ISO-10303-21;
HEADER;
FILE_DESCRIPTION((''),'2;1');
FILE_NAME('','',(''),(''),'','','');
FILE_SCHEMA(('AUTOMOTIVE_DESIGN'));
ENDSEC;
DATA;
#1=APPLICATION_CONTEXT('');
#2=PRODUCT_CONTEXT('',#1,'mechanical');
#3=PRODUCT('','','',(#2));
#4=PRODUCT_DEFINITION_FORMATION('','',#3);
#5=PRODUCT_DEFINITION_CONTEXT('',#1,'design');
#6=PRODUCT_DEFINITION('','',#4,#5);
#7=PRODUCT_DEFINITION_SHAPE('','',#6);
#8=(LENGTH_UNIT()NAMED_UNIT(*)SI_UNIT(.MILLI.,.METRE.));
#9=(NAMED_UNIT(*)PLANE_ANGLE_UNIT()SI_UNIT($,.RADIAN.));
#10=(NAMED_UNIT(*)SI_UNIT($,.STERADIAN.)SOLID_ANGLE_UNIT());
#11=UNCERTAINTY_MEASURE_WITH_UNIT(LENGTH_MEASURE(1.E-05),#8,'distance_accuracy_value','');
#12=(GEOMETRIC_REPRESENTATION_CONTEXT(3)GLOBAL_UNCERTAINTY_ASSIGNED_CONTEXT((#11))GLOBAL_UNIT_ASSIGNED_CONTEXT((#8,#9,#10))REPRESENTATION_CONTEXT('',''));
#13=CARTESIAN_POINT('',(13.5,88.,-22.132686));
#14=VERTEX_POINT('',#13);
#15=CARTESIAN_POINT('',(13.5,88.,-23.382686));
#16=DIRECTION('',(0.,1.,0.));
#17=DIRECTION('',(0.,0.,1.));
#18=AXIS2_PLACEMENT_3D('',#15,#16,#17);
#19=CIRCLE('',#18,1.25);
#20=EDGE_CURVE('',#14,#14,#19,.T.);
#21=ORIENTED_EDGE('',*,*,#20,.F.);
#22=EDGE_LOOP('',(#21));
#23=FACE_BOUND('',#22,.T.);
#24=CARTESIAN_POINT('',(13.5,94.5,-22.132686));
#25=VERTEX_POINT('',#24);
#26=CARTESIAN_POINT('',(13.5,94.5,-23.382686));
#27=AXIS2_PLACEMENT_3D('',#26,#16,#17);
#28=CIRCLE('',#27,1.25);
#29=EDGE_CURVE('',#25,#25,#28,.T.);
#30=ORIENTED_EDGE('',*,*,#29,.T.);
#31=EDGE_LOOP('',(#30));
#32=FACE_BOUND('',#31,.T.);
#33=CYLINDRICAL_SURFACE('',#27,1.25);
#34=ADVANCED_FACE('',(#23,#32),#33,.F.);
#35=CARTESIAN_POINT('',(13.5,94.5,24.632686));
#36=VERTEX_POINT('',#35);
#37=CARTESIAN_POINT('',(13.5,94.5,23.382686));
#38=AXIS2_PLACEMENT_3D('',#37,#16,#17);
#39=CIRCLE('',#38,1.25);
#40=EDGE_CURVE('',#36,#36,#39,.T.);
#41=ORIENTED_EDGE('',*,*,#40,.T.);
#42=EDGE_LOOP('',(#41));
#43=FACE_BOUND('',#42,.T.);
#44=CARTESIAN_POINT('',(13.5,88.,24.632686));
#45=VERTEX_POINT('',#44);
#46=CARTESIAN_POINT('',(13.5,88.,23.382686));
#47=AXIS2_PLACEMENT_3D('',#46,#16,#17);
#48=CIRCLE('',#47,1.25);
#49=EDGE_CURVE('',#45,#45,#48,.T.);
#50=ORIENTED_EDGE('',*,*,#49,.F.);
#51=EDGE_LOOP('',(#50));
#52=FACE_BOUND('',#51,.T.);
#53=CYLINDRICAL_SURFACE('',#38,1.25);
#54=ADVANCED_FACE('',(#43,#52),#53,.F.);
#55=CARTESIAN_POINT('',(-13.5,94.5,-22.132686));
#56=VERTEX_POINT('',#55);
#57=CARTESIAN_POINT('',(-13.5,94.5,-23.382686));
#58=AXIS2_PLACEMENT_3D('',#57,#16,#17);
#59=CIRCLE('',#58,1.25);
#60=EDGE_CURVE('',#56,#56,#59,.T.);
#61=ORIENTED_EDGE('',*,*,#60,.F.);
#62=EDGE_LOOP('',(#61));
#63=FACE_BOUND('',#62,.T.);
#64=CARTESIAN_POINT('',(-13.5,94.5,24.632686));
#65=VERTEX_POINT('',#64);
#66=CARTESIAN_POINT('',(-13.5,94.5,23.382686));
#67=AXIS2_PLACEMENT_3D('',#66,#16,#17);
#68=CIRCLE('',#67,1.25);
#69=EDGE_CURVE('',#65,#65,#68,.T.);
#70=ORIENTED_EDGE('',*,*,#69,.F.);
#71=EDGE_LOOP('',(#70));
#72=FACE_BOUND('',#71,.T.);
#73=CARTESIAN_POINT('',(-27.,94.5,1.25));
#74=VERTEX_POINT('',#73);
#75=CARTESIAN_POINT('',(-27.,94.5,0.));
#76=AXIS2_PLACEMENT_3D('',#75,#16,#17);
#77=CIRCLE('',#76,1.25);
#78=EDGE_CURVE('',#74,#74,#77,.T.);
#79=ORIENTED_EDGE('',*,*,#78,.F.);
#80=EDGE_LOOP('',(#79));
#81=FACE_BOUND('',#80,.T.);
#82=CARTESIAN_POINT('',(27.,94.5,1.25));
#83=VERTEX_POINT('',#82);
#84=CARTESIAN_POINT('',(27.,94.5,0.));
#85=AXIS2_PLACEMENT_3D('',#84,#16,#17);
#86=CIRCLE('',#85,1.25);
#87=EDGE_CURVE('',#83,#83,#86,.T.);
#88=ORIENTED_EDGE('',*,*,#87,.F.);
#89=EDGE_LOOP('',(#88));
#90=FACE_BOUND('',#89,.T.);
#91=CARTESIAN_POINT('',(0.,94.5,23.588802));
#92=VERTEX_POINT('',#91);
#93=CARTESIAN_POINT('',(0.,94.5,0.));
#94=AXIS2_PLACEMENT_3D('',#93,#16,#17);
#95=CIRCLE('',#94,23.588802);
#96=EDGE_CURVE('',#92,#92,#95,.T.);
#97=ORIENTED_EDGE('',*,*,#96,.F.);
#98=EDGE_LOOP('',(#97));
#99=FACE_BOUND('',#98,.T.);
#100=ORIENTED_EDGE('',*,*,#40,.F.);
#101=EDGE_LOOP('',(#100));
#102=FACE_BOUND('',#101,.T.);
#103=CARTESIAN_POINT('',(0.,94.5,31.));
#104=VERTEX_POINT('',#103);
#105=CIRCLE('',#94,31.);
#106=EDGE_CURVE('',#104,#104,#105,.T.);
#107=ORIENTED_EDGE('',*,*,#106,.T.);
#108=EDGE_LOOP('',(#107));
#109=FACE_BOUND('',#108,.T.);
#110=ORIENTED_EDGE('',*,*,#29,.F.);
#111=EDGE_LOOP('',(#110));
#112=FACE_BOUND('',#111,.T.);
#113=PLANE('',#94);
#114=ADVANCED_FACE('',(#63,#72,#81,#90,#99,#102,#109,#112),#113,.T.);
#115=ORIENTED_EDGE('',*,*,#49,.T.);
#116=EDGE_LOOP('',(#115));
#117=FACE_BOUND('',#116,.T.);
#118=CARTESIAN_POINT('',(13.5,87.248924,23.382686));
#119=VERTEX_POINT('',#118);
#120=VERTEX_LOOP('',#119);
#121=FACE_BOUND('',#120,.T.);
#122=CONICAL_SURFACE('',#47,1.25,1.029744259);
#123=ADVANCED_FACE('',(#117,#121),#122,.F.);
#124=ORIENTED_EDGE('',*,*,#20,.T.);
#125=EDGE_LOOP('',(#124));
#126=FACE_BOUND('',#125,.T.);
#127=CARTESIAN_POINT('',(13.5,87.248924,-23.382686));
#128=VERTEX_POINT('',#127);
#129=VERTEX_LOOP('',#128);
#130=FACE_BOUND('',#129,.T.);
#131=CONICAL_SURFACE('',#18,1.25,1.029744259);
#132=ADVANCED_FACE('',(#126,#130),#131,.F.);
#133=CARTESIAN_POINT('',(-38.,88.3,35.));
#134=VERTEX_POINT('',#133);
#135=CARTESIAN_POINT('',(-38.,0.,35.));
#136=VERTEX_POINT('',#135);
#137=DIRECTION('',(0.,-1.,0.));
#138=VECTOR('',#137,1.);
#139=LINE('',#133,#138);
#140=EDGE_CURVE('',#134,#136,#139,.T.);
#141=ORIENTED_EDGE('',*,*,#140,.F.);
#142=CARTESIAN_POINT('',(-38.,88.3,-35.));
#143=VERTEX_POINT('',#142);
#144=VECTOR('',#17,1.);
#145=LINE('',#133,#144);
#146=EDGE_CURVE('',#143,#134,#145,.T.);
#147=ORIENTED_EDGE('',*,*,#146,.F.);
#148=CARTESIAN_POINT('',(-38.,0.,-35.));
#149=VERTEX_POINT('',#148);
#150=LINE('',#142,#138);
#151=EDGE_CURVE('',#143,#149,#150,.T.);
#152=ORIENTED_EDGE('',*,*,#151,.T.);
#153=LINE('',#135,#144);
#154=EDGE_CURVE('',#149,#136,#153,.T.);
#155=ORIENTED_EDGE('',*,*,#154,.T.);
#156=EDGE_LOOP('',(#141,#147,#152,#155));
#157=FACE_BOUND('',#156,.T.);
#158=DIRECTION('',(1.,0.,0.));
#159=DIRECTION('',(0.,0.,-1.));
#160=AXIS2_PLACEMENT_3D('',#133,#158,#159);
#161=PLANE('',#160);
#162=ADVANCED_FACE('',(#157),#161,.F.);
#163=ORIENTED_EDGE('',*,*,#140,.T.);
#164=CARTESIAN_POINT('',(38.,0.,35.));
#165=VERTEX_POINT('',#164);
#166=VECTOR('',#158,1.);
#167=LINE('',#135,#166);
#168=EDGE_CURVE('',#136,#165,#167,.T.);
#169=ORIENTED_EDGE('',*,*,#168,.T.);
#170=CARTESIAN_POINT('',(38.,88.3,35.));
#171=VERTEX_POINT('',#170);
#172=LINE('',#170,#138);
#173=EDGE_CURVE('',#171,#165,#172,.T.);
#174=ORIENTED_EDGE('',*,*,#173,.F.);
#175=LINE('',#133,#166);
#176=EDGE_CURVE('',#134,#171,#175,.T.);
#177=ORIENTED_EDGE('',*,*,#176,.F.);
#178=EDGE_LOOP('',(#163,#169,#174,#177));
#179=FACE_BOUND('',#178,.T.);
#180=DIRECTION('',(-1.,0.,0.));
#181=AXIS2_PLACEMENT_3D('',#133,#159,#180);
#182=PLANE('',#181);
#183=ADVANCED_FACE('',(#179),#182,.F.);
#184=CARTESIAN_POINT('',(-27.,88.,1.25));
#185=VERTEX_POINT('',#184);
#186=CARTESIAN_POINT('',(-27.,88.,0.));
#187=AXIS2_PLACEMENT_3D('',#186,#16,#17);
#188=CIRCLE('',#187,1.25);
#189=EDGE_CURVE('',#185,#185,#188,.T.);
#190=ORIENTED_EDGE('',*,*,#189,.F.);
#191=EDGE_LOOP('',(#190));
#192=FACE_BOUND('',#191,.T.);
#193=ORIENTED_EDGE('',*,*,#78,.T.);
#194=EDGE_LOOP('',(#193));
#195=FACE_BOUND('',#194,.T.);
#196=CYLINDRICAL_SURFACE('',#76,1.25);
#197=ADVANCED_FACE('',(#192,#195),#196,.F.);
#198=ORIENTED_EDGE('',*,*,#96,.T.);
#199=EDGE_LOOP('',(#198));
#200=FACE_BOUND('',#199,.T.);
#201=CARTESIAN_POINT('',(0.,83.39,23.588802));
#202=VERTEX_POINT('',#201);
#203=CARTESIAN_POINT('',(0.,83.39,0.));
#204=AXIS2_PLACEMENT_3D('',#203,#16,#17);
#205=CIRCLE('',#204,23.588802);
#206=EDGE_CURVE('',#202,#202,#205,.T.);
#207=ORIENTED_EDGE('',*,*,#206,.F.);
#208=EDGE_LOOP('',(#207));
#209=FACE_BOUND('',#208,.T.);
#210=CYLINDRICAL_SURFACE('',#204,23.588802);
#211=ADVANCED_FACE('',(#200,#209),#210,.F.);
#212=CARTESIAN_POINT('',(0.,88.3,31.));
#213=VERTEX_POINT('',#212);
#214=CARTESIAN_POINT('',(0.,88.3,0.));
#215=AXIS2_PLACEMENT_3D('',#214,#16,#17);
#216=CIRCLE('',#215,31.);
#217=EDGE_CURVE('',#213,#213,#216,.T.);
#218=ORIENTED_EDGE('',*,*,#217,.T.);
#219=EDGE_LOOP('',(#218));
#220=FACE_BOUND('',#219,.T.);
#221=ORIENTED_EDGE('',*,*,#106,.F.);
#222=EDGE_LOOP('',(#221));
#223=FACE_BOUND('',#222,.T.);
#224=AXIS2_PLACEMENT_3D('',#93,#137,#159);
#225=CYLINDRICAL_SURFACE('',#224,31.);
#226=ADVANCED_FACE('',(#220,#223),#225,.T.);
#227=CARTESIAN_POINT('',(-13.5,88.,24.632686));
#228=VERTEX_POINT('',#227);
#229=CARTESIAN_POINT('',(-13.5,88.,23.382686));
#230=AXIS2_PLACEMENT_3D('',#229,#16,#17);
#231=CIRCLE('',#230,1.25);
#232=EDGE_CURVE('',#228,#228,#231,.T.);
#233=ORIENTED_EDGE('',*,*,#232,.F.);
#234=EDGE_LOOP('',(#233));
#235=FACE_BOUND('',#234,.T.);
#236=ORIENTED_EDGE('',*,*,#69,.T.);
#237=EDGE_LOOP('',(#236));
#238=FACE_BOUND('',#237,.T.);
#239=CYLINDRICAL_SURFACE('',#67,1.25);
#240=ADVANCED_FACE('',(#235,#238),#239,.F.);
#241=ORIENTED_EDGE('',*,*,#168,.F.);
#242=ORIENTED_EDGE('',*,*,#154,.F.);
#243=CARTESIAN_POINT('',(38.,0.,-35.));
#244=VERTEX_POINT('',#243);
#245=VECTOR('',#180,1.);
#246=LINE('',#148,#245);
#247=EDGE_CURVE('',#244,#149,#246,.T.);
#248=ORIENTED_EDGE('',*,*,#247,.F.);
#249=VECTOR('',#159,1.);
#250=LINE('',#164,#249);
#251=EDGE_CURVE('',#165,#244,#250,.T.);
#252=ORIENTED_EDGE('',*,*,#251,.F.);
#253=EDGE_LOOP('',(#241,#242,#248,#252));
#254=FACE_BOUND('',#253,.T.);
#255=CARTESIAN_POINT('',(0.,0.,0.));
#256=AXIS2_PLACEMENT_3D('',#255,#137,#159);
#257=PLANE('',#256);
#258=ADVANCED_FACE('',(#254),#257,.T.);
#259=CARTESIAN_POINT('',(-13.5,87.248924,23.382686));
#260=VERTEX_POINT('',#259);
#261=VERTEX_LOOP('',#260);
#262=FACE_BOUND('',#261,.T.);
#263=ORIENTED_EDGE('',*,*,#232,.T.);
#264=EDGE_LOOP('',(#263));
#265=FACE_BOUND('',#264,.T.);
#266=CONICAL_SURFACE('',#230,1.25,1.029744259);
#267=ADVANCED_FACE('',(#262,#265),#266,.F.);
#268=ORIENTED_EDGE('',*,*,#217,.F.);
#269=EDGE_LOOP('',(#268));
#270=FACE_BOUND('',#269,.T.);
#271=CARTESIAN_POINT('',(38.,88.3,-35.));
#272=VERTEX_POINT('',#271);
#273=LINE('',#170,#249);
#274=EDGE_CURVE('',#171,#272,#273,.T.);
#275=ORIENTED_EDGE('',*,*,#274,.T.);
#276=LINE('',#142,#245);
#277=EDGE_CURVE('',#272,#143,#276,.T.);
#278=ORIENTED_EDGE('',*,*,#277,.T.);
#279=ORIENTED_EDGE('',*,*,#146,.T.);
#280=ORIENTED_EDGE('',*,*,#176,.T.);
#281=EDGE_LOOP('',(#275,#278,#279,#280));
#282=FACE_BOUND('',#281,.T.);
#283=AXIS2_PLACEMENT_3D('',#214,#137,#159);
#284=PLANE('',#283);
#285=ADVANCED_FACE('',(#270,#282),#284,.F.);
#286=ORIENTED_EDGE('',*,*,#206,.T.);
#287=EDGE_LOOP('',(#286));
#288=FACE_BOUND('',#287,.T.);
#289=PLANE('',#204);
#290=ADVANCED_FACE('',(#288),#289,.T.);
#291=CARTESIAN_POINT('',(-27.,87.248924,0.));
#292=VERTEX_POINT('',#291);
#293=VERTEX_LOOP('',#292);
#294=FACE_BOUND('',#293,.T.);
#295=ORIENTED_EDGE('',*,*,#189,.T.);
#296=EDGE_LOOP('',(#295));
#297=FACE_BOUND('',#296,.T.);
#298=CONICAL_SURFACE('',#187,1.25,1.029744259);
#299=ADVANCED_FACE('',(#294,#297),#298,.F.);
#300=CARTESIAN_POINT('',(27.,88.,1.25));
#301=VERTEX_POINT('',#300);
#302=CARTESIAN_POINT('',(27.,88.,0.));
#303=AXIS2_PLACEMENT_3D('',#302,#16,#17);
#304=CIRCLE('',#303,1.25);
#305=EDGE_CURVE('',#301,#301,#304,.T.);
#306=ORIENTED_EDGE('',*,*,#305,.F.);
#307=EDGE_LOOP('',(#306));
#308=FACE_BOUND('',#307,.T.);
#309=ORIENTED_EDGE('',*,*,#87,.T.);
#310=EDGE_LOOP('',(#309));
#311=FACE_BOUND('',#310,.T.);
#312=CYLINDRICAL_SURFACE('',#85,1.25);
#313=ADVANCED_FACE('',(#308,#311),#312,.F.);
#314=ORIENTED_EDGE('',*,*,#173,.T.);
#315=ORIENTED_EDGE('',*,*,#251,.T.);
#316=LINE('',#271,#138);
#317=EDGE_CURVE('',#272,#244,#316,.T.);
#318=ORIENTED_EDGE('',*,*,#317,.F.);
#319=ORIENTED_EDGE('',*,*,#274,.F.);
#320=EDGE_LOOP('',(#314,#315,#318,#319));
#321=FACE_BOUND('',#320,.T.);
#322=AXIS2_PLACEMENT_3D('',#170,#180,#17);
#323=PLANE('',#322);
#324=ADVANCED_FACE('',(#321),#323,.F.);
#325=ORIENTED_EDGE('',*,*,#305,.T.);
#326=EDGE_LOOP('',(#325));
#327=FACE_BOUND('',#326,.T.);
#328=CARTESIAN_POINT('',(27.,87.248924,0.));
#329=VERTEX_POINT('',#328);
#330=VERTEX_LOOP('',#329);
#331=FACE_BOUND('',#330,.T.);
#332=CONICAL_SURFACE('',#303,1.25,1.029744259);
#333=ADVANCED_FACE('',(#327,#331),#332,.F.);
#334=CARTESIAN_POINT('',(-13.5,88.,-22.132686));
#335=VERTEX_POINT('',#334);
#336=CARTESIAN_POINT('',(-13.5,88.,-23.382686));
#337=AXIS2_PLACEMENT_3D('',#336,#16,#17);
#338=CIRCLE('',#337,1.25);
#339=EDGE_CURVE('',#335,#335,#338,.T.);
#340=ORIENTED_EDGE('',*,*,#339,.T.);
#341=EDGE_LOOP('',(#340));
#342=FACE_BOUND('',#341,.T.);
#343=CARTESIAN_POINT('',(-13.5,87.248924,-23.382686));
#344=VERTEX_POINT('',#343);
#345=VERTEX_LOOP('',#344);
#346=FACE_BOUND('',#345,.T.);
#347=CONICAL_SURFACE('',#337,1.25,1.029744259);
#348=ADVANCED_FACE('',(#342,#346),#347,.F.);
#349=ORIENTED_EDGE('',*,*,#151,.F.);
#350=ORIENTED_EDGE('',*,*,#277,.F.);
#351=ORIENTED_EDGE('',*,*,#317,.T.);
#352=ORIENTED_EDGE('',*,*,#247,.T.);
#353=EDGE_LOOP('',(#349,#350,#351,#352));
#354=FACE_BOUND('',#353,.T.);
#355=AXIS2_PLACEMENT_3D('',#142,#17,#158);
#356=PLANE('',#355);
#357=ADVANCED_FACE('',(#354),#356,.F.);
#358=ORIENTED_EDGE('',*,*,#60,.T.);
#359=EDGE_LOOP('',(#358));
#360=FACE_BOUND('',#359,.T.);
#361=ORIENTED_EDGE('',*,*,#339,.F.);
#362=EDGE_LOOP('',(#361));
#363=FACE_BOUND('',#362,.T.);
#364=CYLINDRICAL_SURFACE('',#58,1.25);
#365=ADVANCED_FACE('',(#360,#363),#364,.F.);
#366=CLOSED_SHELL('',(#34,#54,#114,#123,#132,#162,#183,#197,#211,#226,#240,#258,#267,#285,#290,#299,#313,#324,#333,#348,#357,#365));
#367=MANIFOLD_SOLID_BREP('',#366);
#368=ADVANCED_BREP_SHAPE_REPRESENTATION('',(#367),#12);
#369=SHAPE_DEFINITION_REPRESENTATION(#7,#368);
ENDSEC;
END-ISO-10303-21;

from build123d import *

# Parameters (mm, degrees)
SKETCH1_W           = 76
SKETCH1_H           = 70
BOSS_EXTRUDE1_DEPTH = 88.3
SKETCH2_R           = 31
BOSS_EXTRUDE2_DEPTH = 6.2
CIRPATTERN1_COUNT   = 6
SKETCH8_R           = 23.588802374
CUT_EXTRUDE1_DEPTH  = 11.11


with BuildPart() as part:
    # Sketch1 → Boss-Extrude1 (new body)
    with BuildSketch(Plane(origin=(0, 0, 0), x_dir=(1, 0, 0), z_dir=(0, 1, 0))):
        Rectangle(SKETCH1_W, SKETCH1_H)
    extrude(amount=BOSS_EXTRUDE1_DEPTH)

    # Sketch2 → Boss-Extrude2 (add)
    with BuildSketch(Plane(origin=(0, 88.3, 0), x_dir=(1, 0, 0), z_dir=(0, 1, 0))):
        Circle(SKETCH2_R)
    extrude(amount=BOSS_EXTRUDE2_DEPTH)

    # Sketch7 → M3x0.5 Tapped Hole3 (revolve, cut)
    with BuildSketch(Plane(origin=(27, 94.5, 0), x_dir=(0, 0, 1), z_dir=(1, 0, 0))):
        Polygon((0, 0), (0, 7.251075774), (1.25, 6.5), (1.25, 0), align=None)
    m3x0_5_tapped_hole3 = revolve(axis=Axis((27, 100.85, 0), (0, -1, 0)), mode=Mode.SUBTRACT)

    # CirPattern1: M3x0.5 Tapped Hole3 ×6 about axis
    cirpattern1_axis = Axis((0, 112.582788709, 0), (0, -1, 0))
    for i in range(1, CIRPATTERN1_COUNT):
        add(m3x0_5_tapped_hole3.rotate(cirpattern1_axis, i * 360 / CIRPATTERN1_COUNT), mode=Mode.SUBTRACT)

    # Sketch8 → Cut-Extrude1 (cut)
    with BuildSketch(Plane(origin=(0, 94.5, 0), x_dir=(1, 0, 0), z_dir=(0, 1, 0))):
        Circle(SKETCH8_R)
    extrude(amount=-CUT_EXTRUDE1_DEPTH, mode=Mode.SUBTRACT)


solid = part.part
